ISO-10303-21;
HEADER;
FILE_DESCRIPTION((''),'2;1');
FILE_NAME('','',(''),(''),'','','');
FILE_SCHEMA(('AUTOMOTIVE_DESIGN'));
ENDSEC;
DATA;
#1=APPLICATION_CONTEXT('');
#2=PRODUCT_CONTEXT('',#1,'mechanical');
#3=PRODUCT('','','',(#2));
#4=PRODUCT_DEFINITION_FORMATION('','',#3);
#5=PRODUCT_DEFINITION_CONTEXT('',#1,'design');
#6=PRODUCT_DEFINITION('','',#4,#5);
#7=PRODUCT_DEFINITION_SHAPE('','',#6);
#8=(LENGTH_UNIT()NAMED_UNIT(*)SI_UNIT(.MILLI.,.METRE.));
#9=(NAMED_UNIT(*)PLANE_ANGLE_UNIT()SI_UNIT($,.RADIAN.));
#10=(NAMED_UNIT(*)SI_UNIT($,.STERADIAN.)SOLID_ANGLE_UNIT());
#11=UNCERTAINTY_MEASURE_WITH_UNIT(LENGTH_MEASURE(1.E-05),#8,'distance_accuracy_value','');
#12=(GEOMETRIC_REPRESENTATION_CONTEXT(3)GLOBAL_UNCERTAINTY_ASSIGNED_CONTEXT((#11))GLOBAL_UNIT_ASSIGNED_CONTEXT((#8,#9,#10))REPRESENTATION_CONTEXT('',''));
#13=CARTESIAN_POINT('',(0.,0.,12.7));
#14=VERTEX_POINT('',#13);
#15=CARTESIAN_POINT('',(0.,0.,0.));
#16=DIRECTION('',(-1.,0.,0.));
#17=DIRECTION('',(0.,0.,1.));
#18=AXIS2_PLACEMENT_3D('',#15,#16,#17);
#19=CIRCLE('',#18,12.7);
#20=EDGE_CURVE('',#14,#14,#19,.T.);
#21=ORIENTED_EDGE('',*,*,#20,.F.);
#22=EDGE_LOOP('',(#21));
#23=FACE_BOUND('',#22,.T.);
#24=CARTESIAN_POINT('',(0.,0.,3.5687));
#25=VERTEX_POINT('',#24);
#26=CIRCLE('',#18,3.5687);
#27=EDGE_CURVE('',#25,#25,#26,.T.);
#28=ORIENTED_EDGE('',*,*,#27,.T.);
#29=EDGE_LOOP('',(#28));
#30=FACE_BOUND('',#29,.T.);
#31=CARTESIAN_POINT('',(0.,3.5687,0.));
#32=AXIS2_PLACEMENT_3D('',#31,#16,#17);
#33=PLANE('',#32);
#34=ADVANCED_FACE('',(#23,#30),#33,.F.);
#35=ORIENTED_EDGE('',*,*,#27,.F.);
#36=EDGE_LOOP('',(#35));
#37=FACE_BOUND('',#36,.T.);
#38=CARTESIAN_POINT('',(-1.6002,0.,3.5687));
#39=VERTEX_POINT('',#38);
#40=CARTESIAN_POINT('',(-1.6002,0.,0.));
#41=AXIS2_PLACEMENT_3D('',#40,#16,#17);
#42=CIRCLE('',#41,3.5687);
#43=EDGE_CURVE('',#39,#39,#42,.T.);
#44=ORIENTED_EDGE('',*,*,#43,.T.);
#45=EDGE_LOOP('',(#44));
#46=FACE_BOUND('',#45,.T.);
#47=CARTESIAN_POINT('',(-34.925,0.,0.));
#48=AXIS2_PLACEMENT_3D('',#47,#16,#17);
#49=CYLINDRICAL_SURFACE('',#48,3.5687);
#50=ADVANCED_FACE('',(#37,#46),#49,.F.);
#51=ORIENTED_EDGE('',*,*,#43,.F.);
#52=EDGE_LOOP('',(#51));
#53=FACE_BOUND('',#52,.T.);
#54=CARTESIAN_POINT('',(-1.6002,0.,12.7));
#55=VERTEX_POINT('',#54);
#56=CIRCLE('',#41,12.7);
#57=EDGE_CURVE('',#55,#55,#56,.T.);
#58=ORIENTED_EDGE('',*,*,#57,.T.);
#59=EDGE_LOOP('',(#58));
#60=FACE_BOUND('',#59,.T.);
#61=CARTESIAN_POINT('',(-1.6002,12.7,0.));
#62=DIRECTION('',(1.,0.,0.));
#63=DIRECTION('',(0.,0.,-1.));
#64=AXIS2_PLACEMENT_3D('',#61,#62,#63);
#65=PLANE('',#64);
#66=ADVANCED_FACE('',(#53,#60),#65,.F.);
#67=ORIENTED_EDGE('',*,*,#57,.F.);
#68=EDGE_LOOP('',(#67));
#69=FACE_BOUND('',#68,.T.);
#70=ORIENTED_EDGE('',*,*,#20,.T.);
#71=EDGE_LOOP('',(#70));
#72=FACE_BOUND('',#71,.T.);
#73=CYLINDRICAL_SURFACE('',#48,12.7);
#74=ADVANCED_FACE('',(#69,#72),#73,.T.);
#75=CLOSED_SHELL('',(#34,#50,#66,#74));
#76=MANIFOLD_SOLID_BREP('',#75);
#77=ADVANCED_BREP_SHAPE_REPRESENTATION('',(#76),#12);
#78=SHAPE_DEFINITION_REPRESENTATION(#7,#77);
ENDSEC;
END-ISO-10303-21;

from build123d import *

# Parameters (mm, degrees)
SKETCH1_W = 1.6002
SKETCH1_H = 9.1313


with BuildPart() as part:
    # Sketch1 → Base-Revolve (revolve)
    with BuildSketch(Plane.XY):
        with Locations((-0.8001, 8.13435)):
            Rectangle(SKETCH1_W, SKETCH1_H)
    revolve(axis=Axis((-34.925, 0, 0), (1, 0, 0)))


solid = part.part
